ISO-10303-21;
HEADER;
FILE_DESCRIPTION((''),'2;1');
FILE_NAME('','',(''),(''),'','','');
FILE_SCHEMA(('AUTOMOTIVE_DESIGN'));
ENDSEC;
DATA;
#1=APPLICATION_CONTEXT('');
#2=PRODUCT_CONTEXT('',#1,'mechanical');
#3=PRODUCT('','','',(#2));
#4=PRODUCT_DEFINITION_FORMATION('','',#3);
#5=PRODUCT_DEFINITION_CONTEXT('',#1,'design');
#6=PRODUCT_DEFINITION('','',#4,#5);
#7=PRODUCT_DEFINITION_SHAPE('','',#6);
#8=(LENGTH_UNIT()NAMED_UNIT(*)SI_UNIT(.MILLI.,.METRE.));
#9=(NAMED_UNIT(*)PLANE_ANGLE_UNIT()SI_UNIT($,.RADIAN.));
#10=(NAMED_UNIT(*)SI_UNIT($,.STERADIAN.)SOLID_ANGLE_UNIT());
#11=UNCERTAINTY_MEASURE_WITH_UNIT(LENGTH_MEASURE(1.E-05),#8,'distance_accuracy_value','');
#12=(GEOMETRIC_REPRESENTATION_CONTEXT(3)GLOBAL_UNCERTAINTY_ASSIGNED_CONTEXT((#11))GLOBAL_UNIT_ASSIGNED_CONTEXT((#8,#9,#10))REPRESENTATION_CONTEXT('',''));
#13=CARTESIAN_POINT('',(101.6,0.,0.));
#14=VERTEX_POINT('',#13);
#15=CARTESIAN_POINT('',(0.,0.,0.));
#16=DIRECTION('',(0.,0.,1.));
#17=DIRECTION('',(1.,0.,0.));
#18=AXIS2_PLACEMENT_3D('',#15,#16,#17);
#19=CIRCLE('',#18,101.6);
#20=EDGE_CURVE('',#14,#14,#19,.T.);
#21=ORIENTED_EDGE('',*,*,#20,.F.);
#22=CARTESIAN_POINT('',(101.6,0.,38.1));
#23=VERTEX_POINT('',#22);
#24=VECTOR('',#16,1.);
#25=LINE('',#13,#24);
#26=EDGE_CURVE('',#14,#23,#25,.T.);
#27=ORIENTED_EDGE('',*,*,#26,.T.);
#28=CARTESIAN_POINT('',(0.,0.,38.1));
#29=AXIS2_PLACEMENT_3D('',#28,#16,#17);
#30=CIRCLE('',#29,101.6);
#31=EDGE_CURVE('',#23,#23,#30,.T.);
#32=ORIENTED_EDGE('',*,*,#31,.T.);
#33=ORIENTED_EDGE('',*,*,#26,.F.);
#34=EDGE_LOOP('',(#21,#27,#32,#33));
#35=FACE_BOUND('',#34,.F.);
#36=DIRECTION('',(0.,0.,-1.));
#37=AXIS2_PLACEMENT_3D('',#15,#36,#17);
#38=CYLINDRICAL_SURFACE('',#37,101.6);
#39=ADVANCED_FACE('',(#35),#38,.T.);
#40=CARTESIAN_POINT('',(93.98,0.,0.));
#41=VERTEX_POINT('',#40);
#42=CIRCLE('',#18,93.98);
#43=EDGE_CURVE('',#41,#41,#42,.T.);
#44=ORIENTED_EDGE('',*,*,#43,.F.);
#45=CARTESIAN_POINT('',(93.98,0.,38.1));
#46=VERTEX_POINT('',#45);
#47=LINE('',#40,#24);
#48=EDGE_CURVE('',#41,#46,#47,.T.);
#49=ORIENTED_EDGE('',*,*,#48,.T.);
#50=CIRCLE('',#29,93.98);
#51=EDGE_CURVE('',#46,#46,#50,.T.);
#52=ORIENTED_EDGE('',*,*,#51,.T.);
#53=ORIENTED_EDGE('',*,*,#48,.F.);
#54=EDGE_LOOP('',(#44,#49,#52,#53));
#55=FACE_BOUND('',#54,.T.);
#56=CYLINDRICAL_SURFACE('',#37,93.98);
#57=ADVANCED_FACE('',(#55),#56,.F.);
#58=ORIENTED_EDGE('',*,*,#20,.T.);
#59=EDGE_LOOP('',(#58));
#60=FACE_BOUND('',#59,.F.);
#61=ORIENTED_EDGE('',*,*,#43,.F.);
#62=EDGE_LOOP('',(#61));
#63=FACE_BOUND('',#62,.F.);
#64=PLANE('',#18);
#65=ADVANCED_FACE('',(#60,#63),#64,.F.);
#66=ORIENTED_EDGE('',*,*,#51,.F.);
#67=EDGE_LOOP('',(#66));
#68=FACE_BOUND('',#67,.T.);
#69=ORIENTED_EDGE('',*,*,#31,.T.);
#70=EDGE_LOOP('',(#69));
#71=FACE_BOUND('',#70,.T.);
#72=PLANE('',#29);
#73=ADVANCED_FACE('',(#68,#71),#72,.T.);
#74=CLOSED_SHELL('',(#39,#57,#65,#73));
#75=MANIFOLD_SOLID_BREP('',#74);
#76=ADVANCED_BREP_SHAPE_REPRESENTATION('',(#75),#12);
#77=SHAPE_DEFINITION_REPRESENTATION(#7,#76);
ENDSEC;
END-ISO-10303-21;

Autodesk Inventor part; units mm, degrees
ref_plane "YZ Plane" through (0, 0, 0) normal (1, 0, 0) x (0, 1, 0)
ref_plane "XZ Plane" through (0, 0, 0) normal (0, 1, 0) x (-1, 0, 0)
ref_plane "XY Plane" through (0, 0, 0) normal (0, 0, 1) x (1, 0, 0)
sketch "Sketch1" plane through (0, 0, 0) normal (0, 0, 1) x (1, 0, 0)
  circle A0 centre (0, 0) radius 93.98
  circle A1 centre (0, 0) radius 101.6
  dimension "d0" = 187.96
  dimension "d1" = 7.62
extrude "Extrusion1" add sketch "Sketch1" along normal blind 38.1
properties part number "FlyWheel_Tread" material "Silicone"
